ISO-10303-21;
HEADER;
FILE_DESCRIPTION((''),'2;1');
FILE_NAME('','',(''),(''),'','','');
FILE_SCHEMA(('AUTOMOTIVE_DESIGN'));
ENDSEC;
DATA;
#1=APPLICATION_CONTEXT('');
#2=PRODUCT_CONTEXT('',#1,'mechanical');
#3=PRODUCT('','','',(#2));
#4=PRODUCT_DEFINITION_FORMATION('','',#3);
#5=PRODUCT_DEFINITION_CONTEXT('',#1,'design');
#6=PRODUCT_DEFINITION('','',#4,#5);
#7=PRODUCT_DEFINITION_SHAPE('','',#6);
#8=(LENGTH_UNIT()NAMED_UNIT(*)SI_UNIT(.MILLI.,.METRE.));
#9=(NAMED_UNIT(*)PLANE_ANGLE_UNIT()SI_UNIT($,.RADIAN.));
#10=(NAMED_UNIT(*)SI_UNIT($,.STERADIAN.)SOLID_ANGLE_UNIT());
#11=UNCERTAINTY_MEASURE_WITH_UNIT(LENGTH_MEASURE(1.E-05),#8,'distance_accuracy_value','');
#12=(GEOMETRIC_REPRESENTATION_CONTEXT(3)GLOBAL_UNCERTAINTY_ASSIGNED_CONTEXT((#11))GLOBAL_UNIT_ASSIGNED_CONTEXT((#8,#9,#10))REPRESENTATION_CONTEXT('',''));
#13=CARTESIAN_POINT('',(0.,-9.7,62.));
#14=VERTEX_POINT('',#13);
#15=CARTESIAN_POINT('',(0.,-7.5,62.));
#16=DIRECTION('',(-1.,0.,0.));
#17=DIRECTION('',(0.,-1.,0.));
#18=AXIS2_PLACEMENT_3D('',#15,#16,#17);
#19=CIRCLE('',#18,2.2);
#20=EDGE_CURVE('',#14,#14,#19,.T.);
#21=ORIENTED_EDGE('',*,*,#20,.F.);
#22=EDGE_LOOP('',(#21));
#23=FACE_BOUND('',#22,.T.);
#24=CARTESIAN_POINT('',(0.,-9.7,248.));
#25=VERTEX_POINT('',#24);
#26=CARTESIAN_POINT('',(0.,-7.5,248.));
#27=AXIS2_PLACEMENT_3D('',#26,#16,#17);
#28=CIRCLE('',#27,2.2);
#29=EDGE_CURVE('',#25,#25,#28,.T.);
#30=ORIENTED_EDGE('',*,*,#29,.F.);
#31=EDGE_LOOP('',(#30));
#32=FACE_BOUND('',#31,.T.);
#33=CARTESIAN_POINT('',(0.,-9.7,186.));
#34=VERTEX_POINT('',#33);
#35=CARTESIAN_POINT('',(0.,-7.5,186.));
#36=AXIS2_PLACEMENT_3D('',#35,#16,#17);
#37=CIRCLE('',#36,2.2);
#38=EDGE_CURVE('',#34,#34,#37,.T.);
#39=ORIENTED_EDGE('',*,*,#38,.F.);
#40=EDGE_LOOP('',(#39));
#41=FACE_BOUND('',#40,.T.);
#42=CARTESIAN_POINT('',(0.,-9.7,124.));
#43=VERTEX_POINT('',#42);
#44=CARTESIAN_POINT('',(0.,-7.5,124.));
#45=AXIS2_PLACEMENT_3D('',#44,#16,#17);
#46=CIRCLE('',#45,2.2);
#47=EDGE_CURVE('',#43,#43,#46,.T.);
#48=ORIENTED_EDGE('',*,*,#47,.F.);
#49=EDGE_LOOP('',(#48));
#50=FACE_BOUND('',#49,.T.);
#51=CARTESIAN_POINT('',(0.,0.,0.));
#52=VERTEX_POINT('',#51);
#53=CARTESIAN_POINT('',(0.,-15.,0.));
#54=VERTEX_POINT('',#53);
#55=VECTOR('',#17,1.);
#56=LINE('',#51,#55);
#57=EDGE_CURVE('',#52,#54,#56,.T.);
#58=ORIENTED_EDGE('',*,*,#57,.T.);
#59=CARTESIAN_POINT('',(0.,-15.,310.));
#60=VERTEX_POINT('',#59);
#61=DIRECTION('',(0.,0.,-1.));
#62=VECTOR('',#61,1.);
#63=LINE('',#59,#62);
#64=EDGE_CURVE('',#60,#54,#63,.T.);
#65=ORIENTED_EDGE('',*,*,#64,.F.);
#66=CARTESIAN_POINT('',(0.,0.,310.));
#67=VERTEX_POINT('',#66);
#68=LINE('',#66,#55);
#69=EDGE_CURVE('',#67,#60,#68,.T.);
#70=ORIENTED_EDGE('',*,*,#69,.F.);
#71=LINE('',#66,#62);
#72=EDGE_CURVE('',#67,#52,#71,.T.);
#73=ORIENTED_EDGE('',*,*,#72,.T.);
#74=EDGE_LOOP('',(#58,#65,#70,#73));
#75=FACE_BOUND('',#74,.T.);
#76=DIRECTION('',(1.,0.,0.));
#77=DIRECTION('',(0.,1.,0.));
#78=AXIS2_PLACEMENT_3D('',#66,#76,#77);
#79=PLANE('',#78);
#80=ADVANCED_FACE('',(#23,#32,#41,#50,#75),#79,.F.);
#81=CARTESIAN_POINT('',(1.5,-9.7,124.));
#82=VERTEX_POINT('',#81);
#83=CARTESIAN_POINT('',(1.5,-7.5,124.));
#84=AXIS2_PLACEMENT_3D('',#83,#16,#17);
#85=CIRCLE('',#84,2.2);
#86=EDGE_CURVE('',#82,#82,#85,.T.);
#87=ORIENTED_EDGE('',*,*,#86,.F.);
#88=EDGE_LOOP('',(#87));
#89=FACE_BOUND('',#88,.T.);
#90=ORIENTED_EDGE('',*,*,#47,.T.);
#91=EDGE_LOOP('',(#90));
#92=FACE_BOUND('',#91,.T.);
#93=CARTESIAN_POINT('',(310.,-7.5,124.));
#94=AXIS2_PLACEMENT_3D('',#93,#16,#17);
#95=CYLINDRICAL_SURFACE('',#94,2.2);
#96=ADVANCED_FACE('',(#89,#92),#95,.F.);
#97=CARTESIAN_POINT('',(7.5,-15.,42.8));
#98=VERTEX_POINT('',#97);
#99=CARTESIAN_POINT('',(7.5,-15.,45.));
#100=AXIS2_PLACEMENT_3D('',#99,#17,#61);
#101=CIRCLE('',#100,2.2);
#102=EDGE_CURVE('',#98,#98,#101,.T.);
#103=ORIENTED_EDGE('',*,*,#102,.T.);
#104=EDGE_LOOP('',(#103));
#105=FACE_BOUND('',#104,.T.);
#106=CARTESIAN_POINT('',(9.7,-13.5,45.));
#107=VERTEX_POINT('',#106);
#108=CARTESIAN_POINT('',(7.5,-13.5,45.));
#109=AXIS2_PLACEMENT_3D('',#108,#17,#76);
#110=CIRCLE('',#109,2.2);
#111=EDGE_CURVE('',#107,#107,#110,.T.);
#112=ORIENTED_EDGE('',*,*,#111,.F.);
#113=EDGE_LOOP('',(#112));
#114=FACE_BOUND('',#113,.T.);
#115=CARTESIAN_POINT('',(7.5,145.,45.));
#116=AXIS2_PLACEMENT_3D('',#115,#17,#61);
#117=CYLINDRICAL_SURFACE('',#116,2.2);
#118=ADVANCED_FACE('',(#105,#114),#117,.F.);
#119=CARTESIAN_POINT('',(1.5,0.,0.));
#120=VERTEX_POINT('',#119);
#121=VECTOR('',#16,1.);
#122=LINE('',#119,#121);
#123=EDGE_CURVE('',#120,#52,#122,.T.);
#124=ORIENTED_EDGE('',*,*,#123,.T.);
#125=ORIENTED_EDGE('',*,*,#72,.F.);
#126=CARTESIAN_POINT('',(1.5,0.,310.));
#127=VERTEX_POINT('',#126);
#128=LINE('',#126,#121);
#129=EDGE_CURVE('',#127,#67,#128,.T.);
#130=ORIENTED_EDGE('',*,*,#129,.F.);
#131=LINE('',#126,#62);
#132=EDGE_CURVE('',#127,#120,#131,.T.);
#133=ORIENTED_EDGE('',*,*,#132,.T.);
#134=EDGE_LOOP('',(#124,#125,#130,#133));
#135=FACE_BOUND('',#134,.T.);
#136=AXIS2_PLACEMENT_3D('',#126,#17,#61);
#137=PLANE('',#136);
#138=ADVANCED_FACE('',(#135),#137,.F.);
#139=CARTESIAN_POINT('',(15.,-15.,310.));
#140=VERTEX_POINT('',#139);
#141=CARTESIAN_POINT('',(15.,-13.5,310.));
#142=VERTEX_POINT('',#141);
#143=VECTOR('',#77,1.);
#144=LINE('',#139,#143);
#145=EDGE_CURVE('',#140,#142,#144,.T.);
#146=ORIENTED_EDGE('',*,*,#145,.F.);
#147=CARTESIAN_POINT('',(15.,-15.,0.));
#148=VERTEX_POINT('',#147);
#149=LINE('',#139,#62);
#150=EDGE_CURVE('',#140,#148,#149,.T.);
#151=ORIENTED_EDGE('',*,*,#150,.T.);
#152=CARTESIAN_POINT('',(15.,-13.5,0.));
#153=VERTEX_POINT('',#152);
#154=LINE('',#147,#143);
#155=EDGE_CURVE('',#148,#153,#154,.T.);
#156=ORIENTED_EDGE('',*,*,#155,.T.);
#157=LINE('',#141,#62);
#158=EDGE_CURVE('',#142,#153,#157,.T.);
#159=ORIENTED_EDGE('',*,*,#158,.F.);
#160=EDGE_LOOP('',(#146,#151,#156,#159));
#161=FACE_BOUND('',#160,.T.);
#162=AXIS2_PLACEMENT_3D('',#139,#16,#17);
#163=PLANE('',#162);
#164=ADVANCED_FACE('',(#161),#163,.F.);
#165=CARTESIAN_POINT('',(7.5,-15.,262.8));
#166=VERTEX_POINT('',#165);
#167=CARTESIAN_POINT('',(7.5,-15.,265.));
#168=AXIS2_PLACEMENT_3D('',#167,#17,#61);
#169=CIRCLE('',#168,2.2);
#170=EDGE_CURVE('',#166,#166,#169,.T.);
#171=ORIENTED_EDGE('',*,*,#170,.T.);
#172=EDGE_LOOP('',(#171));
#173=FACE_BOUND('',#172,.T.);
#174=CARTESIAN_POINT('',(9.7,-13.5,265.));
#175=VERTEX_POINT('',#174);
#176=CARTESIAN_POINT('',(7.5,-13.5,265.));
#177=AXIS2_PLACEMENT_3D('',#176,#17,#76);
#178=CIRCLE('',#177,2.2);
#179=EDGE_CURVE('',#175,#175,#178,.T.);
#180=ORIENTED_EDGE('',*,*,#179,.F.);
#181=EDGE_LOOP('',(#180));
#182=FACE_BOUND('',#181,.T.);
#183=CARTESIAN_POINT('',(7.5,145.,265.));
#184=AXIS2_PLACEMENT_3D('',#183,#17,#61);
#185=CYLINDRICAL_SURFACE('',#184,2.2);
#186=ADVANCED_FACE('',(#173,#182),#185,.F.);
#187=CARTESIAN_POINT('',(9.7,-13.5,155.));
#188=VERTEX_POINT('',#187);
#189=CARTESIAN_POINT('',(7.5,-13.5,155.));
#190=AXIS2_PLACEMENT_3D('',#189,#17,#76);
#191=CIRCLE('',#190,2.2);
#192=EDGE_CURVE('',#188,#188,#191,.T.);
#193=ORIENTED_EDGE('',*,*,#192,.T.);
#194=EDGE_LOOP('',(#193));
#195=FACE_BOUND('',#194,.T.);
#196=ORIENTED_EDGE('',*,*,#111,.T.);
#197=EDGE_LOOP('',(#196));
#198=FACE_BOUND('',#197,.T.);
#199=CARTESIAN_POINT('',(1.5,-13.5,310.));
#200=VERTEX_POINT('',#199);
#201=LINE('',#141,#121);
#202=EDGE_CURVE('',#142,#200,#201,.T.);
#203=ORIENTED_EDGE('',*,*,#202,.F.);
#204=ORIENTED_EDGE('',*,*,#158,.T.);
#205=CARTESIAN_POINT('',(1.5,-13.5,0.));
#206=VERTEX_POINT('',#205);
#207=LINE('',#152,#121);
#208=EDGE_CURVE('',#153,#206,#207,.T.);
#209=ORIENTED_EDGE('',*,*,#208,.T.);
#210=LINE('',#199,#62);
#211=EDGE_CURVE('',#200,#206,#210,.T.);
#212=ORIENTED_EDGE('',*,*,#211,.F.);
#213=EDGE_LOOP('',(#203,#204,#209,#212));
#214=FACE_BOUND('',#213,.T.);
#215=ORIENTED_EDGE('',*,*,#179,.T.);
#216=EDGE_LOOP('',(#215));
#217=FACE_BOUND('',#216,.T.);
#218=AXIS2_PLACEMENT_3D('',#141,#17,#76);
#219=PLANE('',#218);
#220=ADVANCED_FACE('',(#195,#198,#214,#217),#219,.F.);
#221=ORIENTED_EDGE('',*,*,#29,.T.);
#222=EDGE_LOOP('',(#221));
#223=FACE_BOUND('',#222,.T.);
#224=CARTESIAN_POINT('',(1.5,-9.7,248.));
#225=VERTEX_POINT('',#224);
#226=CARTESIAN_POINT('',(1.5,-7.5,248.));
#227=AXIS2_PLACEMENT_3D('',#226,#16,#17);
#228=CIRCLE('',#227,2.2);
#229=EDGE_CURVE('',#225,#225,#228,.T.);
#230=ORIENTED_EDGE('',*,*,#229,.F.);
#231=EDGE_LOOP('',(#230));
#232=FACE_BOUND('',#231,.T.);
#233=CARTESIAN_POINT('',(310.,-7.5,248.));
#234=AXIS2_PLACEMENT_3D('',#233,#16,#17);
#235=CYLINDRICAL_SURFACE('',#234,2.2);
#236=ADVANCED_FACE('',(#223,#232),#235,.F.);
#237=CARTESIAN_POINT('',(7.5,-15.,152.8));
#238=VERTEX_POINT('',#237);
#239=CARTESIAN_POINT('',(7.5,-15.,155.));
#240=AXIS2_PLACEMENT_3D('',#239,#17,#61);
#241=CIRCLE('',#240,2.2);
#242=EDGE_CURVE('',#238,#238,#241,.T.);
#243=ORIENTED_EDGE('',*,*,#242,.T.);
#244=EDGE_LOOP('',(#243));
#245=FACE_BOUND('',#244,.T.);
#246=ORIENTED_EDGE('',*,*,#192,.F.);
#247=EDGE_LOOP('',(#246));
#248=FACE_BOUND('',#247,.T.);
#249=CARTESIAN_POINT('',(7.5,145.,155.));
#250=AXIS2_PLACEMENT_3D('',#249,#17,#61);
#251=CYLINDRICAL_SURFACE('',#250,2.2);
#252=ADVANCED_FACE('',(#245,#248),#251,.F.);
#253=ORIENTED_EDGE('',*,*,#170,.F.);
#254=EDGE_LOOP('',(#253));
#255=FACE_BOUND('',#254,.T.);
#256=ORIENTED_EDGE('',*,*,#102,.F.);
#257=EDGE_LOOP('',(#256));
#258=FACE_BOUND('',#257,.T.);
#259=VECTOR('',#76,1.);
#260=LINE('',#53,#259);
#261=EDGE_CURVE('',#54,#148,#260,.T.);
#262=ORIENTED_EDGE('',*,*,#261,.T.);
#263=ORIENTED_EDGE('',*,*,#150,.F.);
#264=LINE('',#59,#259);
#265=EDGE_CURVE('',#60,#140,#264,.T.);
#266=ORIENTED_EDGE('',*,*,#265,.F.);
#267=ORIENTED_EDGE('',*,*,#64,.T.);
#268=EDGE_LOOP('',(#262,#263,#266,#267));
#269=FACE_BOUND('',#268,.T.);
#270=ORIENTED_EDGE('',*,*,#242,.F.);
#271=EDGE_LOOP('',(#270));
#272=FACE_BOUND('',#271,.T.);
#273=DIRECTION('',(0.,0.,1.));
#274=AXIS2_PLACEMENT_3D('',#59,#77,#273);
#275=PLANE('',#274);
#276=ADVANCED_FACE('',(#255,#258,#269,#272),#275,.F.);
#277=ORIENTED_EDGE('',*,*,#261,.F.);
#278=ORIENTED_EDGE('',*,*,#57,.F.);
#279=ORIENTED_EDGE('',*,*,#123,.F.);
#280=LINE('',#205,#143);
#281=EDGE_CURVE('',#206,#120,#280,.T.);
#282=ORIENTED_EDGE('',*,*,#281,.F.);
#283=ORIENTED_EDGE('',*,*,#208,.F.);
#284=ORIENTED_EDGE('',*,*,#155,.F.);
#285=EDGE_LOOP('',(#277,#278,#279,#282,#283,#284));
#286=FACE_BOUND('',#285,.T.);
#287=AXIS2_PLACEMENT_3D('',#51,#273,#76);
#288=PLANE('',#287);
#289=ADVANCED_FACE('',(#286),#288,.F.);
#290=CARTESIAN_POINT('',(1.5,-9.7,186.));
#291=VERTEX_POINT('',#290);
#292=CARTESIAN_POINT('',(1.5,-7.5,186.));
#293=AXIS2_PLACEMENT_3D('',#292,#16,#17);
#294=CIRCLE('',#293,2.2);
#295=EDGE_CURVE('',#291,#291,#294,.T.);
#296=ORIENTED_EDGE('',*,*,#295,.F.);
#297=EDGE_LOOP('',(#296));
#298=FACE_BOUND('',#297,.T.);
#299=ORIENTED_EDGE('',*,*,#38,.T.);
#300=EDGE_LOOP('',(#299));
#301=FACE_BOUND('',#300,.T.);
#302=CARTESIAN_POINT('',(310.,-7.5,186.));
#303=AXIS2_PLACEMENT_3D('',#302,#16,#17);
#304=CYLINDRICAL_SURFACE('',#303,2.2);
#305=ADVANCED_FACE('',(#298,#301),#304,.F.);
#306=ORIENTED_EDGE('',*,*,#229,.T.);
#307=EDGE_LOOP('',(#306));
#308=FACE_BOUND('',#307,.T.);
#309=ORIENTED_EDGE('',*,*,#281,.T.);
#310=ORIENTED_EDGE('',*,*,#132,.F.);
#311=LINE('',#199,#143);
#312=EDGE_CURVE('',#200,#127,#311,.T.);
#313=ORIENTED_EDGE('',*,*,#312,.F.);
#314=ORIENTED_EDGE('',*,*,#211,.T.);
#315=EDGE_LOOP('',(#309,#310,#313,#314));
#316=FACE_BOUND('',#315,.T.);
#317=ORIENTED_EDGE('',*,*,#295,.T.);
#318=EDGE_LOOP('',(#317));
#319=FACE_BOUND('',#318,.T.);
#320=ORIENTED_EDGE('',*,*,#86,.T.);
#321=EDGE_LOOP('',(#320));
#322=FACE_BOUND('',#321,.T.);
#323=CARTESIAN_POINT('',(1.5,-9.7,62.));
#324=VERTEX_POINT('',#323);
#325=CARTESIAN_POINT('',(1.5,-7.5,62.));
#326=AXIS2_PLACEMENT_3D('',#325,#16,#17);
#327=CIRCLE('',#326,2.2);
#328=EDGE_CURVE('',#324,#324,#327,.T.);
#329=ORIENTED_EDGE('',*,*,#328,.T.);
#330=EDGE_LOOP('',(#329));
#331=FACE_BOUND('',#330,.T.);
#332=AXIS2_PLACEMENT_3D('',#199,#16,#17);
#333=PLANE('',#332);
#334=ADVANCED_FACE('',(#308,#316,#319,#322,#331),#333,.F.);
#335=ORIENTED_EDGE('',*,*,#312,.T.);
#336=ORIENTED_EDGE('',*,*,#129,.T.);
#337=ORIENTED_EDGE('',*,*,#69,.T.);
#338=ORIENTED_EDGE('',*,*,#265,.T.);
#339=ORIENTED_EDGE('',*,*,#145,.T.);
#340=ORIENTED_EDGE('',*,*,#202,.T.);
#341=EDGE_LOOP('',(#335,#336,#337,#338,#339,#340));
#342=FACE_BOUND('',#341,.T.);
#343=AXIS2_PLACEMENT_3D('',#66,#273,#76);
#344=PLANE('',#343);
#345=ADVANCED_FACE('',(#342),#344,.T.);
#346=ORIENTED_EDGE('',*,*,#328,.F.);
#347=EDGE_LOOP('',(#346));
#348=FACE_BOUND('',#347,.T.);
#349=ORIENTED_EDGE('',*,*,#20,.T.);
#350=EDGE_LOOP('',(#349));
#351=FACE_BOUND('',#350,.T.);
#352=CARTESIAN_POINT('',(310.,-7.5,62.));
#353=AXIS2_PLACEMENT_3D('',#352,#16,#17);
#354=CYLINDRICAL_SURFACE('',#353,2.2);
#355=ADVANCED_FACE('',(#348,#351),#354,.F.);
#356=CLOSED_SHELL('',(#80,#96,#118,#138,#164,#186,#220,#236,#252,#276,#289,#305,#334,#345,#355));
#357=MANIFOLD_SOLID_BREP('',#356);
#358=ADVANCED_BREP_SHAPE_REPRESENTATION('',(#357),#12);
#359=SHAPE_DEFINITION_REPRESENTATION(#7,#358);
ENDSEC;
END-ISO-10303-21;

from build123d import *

# Parameters (mm, degrees)
EXTRUDE_1_DEPTH     = 310
SKETCH_2_R          = 2.2
CUT_EXTRUDE_1_DEPTH = 310
SKETCH_3_R          = 2.2
CUT_EXTRUDE_2_DEPTH = 160


with BuildPart() as part:
    # ｽｹｯﾁ1 → ﾎﾞｽ - 押し出し1 (new body)
    with BuildSketch(Plane.XY):
        Polygon((0, 0), (0, -15), (15, -15), (15, -13.5), (1.5, -13.5), (1.5, 0), align=None)
    extrude(amount=EXTRUDE_1_DEPTH)

    # ｽｹｯﾁ2 → ｶｯﾄ - 押し出し1 (cut)
    with BuildSketch(Plane.ZY):
        with Locations((248, -7.5)):
            Circle(SKETCH_2_R)
        with Locations((186, -7.5)):
            Circle(SKETCH_2_R)
        with Locations((124, -7.5)):
            Circle(SKETCH_2_R)
        with Locations((62, -7.5)):
            Circle(SKETCH_2_R)
    extrude(amount=-CUT_EXTRUDE_1_DEPTH, mode=Mode.SUBTRACT)

    # ｽｹｯﾁ3 → ｶｯﾄ - 押し出し2 (cut)
    with BuildSketch(Plane(origin=(0, -15, 0), x_dir=(-1, 0, 0), z_dir=(0, -1, 0))):
        with Locations((-7.5, -265)):
            Circle(SKETCH_3_R)
        with Locations((-7.5, -155)):
            Circle(SKETCH_3_R)
        with Locations((-7.5, -45)):
            Circle(SKETCH_3_R)
    extrude(amount=-CUT_EXTRUDE_2_DEPTH, mode=Mode.SUBTRACT)


solid = part.part
